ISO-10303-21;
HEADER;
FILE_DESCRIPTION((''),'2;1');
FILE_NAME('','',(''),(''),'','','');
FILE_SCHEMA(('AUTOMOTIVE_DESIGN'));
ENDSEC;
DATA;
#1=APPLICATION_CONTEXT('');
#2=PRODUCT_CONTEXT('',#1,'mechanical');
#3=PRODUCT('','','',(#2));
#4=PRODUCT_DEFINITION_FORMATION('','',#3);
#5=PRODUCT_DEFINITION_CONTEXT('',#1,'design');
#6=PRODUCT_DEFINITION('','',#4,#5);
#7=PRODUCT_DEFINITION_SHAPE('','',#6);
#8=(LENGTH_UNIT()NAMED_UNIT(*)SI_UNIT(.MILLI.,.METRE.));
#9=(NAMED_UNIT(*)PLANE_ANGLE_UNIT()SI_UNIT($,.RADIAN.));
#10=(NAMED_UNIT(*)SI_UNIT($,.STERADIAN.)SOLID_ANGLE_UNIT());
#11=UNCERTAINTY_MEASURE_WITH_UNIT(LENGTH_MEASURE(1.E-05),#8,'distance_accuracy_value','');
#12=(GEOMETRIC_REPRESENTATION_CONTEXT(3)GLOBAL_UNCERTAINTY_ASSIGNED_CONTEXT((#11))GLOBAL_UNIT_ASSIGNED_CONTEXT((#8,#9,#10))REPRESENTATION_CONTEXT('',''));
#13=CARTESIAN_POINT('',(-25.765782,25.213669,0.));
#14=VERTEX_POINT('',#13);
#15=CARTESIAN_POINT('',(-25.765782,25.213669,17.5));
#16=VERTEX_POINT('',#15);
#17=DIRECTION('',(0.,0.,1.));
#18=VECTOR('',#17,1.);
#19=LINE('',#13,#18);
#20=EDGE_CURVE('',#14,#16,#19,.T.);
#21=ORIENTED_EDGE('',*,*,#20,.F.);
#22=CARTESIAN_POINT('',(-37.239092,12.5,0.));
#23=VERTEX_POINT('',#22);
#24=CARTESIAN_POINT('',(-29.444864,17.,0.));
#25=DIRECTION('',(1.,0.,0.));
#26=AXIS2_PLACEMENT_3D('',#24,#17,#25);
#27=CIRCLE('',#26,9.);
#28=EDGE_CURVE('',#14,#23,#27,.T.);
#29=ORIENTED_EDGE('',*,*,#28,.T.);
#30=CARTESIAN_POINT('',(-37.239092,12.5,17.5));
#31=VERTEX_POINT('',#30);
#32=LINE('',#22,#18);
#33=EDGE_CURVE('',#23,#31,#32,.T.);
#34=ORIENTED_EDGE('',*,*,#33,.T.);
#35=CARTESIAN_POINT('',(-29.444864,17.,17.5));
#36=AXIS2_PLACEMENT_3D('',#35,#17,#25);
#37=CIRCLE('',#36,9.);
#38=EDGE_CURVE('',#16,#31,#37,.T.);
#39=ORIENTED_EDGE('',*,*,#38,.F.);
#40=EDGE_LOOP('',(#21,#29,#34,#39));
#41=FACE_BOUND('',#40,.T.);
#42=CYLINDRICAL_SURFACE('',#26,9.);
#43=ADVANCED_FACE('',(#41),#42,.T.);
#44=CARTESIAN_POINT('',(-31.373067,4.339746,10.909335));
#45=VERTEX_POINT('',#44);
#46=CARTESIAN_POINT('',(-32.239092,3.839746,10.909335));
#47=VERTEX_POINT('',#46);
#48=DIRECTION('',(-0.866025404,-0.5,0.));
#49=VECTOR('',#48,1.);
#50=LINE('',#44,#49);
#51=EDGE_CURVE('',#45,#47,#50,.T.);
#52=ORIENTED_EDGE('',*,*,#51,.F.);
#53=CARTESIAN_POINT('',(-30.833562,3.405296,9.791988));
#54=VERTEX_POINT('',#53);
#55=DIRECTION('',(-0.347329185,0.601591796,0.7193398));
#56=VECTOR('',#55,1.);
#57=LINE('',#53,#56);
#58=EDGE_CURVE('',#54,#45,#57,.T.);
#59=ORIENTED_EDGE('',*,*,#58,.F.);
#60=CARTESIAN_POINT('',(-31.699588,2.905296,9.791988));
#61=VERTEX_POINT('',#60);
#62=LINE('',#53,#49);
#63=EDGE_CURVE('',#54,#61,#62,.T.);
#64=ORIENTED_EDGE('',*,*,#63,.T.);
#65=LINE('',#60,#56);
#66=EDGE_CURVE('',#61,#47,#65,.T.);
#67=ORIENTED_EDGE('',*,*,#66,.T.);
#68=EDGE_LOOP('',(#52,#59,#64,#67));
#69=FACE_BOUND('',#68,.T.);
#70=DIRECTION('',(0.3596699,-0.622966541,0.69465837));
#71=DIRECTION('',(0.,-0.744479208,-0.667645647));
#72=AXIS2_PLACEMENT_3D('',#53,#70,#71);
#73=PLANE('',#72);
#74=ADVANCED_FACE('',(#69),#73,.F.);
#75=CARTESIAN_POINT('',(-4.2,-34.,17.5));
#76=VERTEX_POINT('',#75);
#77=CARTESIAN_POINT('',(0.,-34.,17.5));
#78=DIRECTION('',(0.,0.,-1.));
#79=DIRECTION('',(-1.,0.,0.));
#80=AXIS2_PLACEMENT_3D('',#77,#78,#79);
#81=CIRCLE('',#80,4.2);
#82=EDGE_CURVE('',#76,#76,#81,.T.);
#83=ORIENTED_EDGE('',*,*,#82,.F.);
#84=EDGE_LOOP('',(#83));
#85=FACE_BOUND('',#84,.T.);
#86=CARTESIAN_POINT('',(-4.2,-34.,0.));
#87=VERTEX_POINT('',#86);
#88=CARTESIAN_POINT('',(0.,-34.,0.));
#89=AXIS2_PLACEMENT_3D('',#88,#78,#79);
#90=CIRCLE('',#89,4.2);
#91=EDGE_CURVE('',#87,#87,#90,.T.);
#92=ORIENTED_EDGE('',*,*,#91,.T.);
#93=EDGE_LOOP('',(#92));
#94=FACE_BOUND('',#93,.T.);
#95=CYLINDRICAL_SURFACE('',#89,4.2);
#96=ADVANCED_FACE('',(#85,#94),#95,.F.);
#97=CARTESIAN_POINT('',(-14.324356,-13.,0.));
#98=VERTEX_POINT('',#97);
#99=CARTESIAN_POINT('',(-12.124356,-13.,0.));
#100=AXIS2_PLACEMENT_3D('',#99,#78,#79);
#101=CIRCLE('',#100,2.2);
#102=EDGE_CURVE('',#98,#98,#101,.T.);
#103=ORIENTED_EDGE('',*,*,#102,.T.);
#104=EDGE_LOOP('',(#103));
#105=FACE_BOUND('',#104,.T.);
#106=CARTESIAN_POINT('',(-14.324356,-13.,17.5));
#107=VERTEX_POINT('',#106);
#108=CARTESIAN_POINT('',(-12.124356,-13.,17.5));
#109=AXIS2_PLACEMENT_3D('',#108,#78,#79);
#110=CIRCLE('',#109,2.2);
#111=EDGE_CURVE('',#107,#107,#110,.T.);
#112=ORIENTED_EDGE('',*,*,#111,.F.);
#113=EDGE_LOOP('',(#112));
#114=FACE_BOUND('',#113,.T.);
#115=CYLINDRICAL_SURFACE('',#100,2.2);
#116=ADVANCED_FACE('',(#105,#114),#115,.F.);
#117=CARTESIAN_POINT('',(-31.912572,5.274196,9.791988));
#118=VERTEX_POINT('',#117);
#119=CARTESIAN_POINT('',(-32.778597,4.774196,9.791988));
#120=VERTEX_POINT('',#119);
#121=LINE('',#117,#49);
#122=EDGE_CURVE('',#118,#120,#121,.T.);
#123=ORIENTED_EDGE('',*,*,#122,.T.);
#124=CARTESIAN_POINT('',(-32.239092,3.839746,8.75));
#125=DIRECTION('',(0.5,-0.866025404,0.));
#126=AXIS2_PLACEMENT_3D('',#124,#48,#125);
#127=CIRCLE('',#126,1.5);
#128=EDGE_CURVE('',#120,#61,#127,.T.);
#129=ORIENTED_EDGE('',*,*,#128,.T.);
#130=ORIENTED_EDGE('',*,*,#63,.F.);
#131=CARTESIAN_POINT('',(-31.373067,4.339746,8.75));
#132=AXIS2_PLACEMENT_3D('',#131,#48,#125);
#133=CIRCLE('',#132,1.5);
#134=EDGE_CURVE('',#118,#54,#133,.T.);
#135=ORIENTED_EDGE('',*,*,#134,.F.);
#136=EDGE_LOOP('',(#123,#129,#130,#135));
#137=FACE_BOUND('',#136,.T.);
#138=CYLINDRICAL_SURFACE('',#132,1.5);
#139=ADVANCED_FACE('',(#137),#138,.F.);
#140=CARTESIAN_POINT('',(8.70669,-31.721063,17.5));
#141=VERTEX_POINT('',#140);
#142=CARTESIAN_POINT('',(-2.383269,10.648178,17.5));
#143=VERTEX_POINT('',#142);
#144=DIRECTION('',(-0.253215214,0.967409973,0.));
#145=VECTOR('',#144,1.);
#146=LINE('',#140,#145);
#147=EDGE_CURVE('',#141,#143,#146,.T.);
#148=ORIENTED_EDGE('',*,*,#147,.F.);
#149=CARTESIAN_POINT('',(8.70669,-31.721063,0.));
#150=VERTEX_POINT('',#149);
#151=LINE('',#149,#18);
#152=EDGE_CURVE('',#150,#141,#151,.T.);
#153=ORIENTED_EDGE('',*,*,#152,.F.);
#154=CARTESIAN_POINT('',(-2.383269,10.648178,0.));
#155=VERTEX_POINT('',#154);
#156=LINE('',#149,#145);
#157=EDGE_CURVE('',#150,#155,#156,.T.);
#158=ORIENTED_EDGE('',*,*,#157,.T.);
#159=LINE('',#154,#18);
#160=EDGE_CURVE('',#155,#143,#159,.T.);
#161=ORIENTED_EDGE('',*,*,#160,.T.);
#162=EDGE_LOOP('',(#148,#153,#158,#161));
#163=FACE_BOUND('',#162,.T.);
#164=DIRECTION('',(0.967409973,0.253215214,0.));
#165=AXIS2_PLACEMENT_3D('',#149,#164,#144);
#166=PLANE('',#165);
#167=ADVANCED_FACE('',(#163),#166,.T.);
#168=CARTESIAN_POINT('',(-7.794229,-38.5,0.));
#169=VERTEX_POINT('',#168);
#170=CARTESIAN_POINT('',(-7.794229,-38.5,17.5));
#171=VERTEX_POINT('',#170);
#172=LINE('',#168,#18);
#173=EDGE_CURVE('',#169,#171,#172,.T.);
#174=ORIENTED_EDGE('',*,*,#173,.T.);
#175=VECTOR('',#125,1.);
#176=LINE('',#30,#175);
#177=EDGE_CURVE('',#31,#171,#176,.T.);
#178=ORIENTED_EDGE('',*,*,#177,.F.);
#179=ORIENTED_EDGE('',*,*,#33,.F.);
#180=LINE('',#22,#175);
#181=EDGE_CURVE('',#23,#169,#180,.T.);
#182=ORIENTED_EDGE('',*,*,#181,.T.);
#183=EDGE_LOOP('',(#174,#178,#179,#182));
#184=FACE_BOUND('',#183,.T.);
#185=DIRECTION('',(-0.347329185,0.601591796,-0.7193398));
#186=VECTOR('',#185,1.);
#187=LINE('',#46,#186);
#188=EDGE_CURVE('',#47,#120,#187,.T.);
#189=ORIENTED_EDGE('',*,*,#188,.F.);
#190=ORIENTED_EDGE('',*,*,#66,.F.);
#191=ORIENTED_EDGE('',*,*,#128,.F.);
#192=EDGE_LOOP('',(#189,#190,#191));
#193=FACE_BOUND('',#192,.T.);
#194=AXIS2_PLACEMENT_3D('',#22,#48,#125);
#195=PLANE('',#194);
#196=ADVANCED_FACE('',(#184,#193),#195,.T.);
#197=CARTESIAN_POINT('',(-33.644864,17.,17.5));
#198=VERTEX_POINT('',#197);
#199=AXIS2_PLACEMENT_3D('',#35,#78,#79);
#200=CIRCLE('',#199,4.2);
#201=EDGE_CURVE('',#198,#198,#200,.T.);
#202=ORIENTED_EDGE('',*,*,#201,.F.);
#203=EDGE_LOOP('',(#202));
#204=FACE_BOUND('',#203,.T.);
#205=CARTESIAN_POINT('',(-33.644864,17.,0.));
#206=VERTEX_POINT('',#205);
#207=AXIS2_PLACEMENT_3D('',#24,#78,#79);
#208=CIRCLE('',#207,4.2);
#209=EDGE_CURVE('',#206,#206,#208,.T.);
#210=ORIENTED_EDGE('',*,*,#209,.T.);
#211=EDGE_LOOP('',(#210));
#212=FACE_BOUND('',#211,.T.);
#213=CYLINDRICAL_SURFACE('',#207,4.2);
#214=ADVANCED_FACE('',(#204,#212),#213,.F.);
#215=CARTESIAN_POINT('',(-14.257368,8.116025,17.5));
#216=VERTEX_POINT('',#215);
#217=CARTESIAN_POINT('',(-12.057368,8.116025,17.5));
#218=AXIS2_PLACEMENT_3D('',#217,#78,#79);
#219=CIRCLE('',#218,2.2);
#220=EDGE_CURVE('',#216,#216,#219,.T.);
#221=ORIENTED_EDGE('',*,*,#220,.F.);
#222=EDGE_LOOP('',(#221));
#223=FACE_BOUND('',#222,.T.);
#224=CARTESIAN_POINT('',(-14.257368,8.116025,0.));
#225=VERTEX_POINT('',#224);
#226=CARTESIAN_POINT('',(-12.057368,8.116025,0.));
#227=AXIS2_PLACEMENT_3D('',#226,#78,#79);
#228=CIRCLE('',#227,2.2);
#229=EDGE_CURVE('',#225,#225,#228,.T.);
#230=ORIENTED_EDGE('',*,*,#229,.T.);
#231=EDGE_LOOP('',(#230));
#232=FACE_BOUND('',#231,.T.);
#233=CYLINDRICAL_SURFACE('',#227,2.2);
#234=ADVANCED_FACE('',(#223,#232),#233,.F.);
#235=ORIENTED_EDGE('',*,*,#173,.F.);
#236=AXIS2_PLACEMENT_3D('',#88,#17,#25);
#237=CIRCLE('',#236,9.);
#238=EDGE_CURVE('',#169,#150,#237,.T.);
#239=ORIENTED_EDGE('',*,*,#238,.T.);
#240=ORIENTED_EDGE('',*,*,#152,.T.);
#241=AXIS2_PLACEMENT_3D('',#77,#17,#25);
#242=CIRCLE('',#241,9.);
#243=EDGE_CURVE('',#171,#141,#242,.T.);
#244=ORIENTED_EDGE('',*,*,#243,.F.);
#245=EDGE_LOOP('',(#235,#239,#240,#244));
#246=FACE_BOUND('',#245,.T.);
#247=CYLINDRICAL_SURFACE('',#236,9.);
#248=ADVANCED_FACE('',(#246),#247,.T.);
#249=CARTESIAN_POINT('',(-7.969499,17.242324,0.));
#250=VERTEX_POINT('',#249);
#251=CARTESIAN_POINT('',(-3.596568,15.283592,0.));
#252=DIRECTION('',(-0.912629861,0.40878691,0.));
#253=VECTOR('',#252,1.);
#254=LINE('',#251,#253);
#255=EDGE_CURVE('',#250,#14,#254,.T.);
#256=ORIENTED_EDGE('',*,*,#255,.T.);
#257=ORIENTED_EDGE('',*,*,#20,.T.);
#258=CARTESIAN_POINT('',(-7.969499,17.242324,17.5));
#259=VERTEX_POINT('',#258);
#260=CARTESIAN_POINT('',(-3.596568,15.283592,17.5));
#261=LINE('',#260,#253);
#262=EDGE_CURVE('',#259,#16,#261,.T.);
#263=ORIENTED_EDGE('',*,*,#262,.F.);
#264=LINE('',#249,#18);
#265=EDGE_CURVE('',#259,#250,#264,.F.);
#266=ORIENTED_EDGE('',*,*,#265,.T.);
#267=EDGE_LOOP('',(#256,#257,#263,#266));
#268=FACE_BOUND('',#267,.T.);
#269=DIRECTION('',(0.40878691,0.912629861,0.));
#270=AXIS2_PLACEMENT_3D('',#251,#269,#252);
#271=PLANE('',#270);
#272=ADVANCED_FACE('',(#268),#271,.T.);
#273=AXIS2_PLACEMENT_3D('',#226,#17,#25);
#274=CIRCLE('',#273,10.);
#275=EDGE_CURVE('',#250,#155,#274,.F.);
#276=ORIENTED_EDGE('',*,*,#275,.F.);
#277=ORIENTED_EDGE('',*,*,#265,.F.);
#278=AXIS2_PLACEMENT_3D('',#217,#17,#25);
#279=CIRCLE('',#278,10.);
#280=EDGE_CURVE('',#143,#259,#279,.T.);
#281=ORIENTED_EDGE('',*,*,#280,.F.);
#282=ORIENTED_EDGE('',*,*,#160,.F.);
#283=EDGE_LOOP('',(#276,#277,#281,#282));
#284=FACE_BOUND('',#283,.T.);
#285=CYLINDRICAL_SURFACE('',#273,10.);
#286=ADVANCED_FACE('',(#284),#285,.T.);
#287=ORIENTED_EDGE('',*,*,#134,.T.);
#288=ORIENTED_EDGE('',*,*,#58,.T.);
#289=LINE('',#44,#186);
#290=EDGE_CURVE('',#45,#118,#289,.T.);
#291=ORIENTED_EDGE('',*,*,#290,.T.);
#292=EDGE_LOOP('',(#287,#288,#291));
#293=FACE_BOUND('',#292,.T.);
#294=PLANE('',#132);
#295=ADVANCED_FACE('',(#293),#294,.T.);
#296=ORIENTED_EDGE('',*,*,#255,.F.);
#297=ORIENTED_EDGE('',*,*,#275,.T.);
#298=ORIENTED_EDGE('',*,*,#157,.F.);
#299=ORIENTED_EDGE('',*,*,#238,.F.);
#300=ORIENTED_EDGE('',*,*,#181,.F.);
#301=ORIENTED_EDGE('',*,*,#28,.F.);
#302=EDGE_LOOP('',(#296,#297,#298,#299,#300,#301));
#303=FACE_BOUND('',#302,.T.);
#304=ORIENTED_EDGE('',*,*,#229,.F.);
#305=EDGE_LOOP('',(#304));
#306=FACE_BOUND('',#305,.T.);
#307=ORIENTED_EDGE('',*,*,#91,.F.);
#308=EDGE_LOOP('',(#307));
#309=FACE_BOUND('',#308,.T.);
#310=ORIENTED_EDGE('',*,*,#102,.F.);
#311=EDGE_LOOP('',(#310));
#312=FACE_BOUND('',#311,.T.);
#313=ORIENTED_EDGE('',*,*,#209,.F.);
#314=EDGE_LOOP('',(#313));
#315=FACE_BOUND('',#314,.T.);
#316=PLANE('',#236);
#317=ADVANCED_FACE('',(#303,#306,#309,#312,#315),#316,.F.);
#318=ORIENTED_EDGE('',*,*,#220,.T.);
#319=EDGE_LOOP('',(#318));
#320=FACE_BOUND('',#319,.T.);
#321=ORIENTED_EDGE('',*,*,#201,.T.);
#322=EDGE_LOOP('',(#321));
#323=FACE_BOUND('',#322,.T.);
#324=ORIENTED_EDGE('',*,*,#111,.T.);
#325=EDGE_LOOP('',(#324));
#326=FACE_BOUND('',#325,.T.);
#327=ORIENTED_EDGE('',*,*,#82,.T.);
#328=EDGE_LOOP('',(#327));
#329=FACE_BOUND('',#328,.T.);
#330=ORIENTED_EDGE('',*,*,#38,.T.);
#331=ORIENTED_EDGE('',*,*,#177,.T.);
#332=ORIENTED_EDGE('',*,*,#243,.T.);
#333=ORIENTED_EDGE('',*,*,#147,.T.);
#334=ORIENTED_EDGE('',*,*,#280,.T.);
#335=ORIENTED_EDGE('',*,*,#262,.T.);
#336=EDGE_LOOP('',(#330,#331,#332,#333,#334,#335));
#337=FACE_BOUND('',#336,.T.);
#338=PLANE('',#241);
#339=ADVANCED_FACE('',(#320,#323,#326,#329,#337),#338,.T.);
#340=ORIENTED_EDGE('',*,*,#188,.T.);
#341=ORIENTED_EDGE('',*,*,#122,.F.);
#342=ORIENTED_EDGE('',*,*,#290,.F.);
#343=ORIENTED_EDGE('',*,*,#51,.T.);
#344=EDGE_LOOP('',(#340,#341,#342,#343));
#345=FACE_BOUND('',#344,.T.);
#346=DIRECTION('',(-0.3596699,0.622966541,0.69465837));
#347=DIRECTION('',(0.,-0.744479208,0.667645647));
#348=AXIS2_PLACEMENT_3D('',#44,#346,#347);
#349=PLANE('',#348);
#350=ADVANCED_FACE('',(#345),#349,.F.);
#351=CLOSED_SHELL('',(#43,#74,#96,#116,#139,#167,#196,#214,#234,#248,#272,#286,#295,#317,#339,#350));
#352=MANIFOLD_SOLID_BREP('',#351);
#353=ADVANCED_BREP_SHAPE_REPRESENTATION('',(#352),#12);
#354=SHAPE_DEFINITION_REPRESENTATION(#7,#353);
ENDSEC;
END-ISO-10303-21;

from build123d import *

# Parameters (mm, degrees)
BOSS_EXTRUDE1_DEPTH = 17.5
CUT_EXTRUDE1_DEPTH  = 1
HOLE1_D             = 4.4
HOLE2_D             = 4.4
HOLE3_D             = 8.4
HOLE4_D             = 8.4
FILLET1_R           = 10


with BuildPart() as part:
    # Sketch1 → Boss-Extrude1 (new body)
    with BuildSketch(Plane.XY.offset(17.5)):
        with BuildLine():
            Line((8.706689755, -31.721063073), (-3.596567561, 15.283592096))
            Line((-3.596567561, 15.283592096), (-25.765781543, 25.213668746))
            ThreePointArc((-25.765781543, 25.213668746), (-36.126401787, 23.029680686), (-37.239092363, 12.5))
            Line((-37.239092363, 12.5), (-7.794228634, -38.5))
            ThreePointArc((-7.794228634, -38.5), (3.420035495, -42.324863795), (8.706689755, -31.721063073))
        make_face()
    extrude(amount=-BOSS_EXTRUDE1_DEPTH)

    # Sketch2 → Cut-Extrude1 (cut)
    with BuildSketch(Plane(origin=(-22.516660498, -13, 0), x_dir=(0, 0, 1), z_dir=(-0.866025403784438, -0.500000000000001, 0))):
        with BuildLine():
            Line((9.791987556, 18.365854028), (10.909334809, 19.444863729))
            Line((10.909334809, 19.444863729), (9.791987556, 20.523873429))
            ThreePointArc((9.791987556, 20.523873429), (7.25, 19.444863729), (9.791987556, 18.365854028))
        make_face()
    extrude(amount=-CUT_EXTRUDE1_DEPTH, mode=Mode.SUBTRACT)

    # Hole1 (through all)
    with Locations(Plane(origin=(0, 0, 0), x_dir=(-1, 0, 0), z_dir=(0, 0, -1))):
        with Locations((12.057368355, 8.116025404)):
            Hole(HOLE1_D / 2)

    # Hole2 (through all)
    with Locations(Plane(origin=(0, 0, 0), x_dir=(-1, 0, 0), z_dir=(0, 0, -1))):
        with Locations((12.124355653, -13)):
            Hole(HOLE2_D / 2)

    # Hole3 (through all)
    with Locations(Plane(origin=(0, 0, 0), x_dir=(-1, 0, 0), z_dir=(0, 0, -1))):
        with Locations((0, -34)):
            Hole(HOLE3_D / 2)

    # Hole4 (through all)
    with Locations(Plane(origin=(0, 0, 0), x_dir=(-1, 0, 0), z_dir=(0, 0, -1))):
        with Locations((29.444863729, 17)):
            Hole(HOLE4_D / 2)

    # Fillet1
    fillet1_edges = [part.edges().sort_by_distance(p)[0] for p in [
        (-3.596567561, 15.283592096, 8.75),
    ]]
    fillet(fillet1_edges, radius=FILLET1_R)


solid = part.part
